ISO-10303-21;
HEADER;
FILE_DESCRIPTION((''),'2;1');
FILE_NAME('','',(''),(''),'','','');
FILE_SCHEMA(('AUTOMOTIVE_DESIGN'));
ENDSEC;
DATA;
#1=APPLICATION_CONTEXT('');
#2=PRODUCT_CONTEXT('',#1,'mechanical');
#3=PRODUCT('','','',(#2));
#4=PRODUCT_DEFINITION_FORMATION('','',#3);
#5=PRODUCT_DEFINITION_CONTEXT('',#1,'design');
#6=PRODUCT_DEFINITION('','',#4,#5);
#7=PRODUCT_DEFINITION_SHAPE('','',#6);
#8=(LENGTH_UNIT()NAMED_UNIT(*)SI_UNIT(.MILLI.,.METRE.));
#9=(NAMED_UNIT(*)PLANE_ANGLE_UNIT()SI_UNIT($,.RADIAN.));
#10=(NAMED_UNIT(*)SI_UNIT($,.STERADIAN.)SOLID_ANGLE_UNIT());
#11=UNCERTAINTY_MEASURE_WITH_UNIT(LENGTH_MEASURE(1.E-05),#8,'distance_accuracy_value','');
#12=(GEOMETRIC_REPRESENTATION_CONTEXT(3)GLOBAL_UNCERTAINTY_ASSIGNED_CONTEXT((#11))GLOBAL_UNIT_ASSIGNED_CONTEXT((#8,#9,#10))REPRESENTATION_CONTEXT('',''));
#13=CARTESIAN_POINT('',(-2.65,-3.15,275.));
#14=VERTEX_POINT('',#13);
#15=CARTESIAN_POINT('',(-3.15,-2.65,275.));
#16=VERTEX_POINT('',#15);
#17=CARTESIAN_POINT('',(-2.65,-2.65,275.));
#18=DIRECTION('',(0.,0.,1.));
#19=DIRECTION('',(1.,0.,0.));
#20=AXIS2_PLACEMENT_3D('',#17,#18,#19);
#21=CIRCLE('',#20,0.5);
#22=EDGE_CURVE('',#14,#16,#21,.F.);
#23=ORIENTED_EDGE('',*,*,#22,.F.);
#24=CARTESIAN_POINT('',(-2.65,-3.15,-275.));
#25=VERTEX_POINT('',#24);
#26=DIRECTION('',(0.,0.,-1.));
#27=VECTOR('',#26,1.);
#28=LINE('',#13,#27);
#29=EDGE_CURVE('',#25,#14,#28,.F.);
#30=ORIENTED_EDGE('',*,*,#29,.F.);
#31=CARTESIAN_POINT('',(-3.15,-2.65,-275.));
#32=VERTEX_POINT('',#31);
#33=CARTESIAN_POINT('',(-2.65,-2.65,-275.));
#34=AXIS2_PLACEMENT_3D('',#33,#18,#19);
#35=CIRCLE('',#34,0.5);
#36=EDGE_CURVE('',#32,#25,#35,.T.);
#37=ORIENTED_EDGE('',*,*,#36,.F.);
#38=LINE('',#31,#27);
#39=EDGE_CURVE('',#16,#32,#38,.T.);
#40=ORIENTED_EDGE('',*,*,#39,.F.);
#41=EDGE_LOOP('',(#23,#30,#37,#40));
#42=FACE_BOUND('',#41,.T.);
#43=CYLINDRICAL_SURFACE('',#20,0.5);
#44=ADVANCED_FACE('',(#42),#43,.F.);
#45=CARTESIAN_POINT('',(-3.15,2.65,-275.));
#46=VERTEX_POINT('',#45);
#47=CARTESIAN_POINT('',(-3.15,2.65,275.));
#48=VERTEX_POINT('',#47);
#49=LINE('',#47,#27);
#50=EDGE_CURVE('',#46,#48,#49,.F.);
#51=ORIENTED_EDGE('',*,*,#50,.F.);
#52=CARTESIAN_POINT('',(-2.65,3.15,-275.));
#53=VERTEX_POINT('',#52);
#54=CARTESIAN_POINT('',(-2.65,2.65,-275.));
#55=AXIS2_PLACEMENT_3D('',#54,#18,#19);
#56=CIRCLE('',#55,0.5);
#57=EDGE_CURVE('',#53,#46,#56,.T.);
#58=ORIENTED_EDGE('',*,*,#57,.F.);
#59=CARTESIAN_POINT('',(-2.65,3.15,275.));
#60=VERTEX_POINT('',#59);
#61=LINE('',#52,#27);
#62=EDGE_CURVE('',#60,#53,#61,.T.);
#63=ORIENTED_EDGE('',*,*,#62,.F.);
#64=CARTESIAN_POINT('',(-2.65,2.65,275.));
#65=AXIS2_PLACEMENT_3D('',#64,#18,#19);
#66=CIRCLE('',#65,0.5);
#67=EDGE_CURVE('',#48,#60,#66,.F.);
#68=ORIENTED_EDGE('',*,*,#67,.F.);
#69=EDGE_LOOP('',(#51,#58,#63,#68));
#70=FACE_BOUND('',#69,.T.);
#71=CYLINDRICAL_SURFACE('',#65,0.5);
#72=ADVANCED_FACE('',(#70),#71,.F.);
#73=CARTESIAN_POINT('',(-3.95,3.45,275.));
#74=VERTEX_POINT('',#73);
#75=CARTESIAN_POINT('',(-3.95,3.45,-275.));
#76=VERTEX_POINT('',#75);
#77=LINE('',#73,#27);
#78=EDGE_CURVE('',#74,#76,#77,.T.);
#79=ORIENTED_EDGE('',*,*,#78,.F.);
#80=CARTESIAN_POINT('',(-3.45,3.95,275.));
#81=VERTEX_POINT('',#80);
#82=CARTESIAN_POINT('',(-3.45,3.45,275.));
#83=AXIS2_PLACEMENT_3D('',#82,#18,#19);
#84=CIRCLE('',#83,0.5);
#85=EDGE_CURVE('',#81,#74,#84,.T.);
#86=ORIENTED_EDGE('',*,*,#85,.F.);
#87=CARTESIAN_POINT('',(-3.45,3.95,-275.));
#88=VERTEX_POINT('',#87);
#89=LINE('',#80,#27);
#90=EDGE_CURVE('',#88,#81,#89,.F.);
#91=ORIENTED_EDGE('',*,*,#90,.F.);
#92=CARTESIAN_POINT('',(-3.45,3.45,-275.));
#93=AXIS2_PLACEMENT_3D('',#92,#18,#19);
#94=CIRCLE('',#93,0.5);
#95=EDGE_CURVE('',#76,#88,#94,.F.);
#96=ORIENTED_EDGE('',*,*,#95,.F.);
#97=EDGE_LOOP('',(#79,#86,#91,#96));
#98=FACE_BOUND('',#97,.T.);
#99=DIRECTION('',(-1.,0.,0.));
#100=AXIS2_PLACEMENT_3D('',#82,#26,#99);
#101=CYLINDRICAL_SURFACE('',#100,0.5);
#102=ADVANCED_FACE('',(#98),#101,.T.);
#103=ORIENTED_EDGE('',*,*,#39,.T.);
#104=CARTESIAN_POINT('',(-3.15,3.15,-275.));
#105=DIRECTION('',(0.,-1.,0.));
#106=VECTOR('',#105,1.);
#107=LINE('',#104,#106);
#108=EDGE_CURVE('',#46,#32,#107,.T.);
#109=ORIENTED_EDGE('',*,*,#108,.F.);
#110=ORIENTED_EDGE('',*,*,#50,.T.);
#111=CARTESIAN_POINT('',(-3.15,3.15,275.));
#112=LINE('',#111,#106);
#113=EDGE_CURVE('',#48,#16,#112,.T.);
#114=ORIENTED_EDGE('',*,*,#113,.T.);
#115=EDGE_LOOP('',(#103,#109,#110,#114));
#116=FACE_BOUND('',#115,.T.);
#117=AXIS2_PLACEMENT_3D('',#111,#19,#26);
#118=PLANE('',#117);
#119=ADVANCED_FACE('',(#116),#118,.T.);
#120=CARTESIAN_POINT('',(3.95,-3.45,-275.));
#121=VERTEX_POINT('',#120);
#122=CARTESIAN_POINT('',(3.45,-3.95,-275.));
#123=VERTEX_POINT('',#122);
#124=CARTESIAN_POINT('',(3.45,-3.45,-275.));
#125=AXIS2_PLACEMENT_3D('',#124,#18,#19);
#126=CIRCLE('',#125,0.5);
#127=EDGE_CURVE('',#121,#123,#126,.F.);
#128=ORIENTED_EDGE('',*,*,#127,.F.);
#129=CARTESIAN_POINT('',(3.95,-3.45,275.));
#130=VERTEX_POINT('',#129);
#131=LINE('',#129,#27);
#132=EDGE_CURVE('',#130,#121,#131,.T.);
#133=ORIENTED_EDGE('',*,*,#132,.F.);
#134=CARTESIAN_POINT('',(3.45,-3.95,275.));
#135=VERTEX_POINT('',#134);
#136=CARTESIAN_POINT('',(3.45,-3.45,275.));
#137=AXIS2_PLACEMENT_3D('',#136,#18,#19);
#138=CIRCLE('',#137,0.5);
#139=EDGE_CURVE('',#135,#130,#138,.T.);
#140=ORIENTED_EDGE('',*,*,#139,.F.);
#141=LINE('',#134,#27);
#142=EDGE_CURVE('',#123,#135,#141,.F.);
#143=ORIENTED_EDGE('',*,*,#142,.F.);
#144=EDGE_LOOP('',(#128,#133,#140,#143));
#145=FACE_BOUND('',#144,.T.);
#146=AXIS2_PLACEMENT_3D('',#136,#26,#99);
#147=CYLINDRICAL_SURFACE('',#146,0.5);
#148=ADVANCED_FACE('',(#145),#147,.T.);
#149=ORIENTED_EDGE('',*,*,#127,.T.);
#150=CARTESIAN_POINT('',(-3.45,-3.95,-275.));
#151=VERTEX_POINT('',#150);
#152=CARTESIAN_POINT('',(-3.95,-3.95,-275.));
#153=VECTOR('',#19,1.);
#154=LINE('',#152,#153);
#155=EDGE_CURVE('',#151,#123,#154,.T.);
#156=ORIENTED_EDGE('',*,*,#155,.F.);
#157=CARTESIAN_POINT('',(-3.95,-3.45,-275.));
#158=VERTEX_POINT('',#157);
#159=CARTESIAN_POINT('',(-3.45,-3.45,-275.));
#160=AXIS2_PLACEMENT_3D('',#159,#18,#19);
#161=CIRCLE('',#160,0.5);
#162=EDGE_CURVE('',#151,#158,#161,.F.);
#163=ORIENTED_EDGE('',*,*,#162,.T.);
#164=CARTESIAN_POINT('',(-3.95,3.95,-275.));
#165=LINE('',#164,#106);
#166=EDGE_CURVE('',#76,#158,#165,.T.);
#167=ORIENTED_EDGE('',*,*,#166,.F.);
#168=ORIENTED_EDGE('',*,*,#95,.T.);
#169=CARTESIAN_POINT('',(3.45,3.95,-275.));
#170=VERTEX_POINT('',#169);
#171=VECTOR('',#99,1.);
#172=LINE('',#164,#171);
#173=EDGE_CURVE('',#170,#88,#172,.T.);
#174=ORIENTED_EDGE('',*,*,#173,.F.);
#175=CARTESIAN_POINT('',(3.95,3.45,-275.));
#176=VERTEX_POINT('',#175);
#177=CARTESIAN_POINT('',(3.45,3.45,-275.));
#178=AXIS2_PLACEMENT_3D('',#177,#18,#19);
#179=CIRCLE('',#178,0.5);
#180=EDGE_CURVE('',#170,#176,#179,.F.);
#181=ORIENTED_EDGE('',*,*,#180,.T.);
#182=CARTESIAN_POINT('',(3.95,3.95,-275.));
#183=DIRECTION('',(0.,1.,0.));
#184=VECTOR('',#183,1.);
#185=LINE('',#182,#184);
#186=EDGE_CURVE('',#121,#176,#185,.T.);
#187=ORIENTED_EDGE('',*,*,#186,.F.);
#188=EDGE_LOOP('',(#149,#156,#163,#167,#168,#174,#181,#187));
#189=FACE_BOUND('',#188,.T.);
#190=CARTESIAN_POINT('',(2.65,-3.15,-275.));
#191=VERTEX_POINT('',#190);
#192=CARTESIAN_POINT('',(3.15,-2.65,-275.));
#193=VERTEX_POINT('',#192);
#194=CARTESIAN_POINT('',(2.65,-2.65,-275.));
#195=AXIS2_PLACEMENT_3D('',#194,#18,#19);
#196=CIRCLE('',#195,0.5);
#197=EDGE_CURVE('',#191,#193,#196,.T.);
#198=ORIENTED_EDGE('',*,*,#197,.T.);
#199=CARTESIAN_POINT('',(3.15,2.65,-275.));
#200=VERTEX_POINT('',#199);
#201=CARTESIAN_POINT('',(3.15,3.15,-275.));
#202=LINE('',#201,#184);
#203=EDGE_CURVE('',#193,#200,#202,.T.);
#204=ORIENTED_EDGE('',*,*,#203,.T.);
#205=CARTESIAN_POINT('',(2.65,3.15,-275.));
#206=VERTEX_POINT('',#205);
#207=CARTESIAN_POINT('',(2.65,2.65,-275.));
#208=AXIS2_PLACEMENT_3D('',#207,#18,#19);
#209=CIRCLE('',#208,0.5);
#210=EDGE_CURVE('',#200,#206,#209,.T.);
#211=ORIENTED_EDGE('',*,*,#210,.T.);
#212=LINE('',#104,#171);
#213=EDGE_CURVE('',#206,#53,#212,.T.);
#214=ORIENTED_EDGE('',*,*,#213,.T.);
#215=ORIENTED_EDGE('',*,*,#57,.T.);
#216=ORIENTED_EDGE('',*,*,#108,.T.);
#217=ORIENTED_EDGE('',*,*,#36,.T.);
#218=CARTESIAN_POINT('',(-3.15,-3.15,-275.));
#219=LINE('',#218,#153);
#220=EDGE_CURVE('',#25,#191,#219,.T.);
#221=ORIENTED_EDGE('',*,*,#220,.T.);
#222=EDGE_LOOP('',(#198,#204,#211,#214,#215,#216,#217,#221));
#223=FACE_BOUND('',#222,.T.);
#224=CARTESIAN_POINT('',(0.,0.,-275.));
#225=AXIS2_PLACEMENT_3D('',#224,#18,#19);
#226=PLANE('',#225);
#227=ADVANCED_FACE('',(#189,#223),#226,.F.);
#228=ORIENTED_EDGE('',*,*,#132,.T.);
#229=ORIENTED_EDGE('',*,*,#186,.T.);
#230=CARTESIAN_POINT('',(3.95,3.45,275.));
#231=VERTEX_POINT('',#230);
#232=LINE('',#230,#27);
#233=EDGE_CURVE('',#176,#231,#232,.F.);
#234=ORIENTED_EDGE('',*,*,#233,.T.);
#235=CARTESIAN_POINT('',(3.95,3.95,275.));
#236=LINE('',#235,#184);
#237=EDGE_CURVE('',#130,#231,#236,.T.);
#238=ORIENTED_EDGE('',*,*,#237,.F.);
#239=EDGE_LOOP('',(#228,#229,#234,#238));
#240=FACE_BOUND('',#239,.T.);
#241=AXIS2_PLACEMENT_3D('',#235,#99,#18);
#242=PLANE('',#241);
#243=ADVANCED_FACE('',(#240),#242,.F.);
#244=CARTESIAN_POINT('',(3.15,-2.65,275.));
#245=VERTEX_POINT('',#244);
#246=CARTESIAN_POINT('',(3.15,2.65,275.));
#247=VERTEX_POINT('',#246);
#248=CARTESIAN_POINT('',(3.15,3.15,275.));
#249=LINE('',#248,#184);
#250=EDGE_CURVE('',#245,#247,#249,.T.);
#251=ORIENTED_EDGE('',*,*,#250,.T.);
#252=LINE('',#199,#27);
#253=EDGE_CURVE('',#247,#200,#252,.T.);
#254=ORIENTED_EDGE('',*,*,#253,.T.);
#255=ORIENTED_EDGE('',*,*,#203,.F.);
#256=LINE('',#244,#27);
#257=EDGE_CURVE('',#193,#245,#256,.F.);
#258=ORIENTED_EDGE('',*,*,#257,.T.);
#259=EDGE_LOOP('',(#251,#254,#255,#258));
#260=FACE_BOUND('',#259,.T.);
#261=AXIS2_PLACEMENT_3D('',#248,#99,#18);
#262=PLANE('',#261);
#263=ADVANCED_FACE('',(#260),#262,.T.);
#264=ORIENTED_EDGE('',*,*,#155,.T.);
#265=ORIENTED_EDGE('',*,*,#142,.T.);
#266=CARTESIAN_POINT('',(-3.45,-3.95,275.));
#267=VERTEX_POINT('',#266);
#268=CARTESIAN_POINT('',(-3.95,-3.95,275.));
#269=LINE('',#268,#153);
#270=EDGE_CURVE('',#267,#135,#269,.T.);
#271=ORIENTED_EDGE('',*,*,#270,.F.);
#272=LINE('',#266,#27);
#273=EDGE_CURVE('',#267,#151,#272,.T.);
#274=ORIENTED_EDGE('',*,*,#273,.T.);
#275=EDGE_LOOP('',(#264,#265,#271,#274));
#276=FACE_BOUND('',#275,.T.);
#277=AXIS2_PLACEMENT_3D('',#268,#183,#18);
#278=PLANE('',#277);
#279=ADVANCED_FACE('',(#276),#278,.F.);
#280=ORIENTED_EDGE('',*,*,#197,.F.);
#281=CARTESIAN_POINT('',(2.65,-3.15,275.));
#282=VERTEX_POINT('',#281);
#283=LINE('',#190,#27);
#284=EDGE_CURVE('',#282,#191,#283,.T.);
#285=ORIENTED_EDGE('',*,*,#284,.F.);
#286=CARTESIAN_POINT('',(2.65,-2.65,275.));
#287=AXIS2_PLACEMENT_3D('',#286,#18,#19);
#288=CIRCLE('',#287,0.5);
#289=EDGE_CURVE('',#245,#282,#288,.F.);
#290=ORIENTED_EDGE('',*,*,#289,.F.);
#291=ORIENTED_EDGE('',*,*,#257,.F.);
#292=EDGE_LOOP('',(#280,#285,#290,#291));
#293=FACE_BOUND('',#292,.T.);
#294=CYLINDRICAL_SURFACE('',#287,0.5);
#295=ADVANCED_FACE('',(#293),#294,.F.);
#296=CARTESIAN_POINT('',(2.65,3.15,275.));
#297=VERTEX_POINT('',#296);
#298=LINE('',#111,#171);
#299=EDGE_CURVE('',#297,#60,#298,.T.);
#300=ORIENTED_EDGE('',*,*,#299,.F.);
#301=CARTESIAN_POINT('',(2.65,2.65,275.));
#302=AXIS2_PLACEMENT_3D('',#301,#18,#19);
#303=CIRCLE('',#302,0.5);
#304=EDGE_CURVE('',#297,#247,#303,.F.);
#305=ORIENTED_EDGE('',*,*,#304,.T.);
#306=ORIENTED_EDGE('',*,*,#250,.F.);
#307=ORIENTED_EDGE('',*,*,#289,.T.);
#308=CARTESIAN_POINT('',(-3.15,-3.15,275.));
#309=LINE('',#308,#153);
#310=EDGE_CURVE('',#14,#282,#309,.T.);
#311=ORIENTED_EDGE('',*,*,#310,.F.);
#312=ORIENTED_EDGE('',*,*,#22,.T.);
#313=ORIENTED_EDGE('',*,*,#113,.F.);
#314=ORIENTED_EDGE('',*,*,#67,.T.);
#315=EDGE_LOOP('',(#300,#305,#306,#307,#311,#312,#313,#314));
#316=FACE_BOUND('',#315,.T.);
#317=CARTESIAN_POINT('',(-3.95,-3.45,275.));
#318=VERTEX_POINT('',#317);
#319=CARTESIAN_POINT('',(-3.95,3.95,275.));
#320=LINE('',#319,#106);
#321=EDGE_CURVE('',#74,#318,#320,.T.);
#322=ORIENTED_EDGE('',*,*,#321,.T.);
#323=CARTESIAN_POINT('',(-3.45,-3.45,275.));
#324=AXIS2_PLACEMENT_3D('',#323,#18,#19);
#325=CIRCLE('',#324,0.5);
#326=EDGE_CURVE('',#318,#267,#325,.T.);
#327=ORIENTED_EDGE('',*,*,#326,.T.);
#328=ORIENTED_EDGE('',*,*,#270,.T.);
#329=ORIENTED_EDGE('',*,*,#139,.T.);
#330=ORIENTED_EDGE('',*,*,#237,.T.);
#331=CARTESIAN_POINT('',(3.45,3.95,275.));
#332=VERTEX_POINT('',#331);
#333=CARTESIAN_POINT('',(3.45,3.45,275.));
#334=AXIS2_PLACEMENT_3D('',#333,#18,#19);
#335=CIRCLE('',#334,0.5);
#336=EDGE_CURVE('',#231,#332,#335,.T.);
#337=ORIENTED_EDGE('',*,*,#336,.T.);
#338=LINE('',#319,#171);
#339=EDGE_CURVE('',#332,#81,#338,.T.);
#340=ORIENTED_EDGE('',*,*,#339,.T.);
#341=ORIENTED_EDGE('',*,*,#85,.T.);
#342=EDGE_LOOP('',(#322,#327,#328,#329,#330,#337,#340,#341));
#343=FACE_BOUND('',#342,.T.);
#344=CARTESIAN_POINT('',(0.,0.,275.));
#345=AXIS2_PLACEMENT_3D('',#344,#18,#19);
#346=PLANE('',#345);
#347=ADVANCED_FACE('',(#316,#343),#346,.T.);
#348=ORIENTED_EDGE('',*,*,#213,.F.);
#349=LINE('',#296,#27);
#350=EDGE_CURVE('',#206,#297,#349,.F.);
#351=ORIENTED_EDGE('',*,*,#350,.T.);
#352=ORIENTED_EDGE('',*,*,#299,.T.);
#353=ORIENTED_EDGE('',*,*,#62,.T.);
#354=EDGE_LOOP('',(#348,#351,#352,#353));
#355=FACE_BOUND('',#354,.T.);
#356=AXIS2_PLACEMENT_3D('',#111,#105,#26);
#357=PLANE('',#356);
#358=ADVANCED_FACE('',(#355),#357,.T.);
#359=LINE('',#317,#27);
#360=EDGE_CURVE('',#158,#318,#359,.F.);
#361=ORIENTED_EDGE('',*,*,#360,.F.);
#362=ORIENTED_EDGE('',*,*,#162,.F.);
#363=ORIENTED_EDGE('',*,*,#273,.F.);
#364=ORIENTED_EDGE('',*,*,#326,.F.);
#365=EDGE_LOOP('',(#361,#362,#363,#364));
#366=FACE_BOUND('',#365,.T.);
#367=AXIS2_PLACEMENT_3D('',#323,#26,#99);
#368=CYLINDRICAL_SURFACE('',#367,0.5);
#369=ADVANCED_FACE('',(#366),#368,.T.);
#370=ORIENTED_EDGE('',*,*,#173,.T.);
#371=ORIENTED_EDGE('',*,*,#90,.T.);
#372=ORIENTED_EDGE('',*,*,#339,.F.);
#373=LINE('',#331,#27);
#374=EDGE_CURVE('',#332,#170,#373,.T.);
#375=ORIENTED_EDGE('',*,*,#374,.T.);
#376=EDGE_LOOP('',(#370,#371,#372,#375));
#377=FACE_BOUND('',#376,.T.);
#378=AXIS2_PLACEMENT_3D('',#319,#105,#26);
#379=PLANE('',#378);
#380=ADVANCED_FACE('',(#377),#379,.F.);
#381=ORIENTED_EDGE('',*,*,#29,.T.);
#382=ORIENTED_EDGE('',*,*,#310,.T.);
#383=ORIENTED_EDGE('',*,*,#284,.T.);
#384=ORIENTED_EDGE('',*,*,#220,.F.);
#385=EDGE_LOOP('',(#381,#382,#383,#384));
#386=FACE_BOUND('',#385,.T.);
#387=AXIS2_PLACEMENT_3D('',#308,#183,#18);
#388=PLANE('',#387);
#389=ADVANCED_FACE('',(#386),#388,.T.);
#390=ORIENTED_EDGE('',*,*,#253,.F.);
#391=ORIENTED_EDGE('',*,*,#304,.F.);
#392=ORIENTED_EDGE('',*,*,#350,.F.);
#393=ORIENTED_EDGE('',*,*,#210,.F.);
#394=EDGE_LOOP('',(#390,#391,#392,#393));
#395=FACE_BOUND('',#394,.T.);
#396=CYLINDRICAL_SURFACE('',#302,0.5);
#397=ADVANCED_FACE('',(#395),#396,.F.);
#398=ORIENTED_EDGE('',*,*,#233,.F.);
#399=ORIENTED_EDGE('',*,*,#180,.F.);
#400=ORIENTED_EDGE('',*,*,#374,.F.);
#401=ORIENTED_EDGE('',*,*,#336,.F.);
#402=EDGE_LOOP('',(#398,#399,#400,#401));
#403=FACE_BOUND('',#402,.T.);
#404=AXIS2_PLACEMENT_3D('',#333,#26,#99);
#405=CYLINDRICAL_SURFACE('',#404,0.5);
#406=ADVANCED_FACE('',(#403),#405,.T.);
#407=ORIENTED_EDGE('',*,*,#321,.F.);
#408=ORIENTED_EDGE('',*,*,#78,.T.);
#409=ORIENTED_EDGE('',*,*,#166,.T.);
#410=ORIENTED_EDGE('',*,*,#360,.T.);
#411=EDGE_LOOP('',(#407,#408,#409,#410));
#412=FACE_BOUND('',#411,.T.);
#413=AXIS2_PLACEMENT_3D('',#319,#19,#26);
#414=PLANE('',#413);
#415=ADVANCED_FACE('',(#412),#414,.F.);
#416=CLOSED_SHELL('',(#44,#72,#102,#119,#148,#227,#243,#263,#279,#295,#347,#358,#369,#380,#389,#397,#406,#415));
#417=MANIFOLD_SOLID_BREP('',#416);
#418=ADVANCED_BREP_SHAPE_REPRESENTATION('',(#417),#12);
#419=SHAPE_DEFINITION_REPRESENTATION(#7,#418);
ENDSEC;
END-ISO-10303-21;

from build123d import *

# Parameters (mm, degrees)
SKETCH1_W           = 7.9
SKETCH1_H           = 7.9
SKETCH1_W_2         = 6.3
SKETCH1_H_2         = 6.3
BOSS_EXTRUDE1_DEPTH = 275
FILLET1_R           = 0.5


with BuildPart() as part:
    # Sketch1 → Boss-Extrude1 (new body, symmetric)
    with BuildSketch(Plane.XY):
        Rectangle(SKETCH1_W, SKETCH1_H)
        Rectangle(SKETCH1_W_2, SKETCH1_H_2, mode=Mode.SUBTRACT)
    extrude(amount=BOSS_EXTRUDE1_DEPTH, both=True)

    # Fillet1
    fillet1_edges = [part.edges().sort_by_distance(p)[0] for p in [
        (3.15, -3.15, 0),
        (3.15, 3.15, 0),
        (-3.15, 3.15, 0),
        (-3.15, -3.15, 0),
        (3.95, -3.95, 0),
        (-3.95, -3.95, 0),
        (-3.95, 3.95, 0),
        (3.95, 3.95, 0),
    ]]
    fillet(fillet1_edges, radius=FILLET1_R)


solid = part.part
